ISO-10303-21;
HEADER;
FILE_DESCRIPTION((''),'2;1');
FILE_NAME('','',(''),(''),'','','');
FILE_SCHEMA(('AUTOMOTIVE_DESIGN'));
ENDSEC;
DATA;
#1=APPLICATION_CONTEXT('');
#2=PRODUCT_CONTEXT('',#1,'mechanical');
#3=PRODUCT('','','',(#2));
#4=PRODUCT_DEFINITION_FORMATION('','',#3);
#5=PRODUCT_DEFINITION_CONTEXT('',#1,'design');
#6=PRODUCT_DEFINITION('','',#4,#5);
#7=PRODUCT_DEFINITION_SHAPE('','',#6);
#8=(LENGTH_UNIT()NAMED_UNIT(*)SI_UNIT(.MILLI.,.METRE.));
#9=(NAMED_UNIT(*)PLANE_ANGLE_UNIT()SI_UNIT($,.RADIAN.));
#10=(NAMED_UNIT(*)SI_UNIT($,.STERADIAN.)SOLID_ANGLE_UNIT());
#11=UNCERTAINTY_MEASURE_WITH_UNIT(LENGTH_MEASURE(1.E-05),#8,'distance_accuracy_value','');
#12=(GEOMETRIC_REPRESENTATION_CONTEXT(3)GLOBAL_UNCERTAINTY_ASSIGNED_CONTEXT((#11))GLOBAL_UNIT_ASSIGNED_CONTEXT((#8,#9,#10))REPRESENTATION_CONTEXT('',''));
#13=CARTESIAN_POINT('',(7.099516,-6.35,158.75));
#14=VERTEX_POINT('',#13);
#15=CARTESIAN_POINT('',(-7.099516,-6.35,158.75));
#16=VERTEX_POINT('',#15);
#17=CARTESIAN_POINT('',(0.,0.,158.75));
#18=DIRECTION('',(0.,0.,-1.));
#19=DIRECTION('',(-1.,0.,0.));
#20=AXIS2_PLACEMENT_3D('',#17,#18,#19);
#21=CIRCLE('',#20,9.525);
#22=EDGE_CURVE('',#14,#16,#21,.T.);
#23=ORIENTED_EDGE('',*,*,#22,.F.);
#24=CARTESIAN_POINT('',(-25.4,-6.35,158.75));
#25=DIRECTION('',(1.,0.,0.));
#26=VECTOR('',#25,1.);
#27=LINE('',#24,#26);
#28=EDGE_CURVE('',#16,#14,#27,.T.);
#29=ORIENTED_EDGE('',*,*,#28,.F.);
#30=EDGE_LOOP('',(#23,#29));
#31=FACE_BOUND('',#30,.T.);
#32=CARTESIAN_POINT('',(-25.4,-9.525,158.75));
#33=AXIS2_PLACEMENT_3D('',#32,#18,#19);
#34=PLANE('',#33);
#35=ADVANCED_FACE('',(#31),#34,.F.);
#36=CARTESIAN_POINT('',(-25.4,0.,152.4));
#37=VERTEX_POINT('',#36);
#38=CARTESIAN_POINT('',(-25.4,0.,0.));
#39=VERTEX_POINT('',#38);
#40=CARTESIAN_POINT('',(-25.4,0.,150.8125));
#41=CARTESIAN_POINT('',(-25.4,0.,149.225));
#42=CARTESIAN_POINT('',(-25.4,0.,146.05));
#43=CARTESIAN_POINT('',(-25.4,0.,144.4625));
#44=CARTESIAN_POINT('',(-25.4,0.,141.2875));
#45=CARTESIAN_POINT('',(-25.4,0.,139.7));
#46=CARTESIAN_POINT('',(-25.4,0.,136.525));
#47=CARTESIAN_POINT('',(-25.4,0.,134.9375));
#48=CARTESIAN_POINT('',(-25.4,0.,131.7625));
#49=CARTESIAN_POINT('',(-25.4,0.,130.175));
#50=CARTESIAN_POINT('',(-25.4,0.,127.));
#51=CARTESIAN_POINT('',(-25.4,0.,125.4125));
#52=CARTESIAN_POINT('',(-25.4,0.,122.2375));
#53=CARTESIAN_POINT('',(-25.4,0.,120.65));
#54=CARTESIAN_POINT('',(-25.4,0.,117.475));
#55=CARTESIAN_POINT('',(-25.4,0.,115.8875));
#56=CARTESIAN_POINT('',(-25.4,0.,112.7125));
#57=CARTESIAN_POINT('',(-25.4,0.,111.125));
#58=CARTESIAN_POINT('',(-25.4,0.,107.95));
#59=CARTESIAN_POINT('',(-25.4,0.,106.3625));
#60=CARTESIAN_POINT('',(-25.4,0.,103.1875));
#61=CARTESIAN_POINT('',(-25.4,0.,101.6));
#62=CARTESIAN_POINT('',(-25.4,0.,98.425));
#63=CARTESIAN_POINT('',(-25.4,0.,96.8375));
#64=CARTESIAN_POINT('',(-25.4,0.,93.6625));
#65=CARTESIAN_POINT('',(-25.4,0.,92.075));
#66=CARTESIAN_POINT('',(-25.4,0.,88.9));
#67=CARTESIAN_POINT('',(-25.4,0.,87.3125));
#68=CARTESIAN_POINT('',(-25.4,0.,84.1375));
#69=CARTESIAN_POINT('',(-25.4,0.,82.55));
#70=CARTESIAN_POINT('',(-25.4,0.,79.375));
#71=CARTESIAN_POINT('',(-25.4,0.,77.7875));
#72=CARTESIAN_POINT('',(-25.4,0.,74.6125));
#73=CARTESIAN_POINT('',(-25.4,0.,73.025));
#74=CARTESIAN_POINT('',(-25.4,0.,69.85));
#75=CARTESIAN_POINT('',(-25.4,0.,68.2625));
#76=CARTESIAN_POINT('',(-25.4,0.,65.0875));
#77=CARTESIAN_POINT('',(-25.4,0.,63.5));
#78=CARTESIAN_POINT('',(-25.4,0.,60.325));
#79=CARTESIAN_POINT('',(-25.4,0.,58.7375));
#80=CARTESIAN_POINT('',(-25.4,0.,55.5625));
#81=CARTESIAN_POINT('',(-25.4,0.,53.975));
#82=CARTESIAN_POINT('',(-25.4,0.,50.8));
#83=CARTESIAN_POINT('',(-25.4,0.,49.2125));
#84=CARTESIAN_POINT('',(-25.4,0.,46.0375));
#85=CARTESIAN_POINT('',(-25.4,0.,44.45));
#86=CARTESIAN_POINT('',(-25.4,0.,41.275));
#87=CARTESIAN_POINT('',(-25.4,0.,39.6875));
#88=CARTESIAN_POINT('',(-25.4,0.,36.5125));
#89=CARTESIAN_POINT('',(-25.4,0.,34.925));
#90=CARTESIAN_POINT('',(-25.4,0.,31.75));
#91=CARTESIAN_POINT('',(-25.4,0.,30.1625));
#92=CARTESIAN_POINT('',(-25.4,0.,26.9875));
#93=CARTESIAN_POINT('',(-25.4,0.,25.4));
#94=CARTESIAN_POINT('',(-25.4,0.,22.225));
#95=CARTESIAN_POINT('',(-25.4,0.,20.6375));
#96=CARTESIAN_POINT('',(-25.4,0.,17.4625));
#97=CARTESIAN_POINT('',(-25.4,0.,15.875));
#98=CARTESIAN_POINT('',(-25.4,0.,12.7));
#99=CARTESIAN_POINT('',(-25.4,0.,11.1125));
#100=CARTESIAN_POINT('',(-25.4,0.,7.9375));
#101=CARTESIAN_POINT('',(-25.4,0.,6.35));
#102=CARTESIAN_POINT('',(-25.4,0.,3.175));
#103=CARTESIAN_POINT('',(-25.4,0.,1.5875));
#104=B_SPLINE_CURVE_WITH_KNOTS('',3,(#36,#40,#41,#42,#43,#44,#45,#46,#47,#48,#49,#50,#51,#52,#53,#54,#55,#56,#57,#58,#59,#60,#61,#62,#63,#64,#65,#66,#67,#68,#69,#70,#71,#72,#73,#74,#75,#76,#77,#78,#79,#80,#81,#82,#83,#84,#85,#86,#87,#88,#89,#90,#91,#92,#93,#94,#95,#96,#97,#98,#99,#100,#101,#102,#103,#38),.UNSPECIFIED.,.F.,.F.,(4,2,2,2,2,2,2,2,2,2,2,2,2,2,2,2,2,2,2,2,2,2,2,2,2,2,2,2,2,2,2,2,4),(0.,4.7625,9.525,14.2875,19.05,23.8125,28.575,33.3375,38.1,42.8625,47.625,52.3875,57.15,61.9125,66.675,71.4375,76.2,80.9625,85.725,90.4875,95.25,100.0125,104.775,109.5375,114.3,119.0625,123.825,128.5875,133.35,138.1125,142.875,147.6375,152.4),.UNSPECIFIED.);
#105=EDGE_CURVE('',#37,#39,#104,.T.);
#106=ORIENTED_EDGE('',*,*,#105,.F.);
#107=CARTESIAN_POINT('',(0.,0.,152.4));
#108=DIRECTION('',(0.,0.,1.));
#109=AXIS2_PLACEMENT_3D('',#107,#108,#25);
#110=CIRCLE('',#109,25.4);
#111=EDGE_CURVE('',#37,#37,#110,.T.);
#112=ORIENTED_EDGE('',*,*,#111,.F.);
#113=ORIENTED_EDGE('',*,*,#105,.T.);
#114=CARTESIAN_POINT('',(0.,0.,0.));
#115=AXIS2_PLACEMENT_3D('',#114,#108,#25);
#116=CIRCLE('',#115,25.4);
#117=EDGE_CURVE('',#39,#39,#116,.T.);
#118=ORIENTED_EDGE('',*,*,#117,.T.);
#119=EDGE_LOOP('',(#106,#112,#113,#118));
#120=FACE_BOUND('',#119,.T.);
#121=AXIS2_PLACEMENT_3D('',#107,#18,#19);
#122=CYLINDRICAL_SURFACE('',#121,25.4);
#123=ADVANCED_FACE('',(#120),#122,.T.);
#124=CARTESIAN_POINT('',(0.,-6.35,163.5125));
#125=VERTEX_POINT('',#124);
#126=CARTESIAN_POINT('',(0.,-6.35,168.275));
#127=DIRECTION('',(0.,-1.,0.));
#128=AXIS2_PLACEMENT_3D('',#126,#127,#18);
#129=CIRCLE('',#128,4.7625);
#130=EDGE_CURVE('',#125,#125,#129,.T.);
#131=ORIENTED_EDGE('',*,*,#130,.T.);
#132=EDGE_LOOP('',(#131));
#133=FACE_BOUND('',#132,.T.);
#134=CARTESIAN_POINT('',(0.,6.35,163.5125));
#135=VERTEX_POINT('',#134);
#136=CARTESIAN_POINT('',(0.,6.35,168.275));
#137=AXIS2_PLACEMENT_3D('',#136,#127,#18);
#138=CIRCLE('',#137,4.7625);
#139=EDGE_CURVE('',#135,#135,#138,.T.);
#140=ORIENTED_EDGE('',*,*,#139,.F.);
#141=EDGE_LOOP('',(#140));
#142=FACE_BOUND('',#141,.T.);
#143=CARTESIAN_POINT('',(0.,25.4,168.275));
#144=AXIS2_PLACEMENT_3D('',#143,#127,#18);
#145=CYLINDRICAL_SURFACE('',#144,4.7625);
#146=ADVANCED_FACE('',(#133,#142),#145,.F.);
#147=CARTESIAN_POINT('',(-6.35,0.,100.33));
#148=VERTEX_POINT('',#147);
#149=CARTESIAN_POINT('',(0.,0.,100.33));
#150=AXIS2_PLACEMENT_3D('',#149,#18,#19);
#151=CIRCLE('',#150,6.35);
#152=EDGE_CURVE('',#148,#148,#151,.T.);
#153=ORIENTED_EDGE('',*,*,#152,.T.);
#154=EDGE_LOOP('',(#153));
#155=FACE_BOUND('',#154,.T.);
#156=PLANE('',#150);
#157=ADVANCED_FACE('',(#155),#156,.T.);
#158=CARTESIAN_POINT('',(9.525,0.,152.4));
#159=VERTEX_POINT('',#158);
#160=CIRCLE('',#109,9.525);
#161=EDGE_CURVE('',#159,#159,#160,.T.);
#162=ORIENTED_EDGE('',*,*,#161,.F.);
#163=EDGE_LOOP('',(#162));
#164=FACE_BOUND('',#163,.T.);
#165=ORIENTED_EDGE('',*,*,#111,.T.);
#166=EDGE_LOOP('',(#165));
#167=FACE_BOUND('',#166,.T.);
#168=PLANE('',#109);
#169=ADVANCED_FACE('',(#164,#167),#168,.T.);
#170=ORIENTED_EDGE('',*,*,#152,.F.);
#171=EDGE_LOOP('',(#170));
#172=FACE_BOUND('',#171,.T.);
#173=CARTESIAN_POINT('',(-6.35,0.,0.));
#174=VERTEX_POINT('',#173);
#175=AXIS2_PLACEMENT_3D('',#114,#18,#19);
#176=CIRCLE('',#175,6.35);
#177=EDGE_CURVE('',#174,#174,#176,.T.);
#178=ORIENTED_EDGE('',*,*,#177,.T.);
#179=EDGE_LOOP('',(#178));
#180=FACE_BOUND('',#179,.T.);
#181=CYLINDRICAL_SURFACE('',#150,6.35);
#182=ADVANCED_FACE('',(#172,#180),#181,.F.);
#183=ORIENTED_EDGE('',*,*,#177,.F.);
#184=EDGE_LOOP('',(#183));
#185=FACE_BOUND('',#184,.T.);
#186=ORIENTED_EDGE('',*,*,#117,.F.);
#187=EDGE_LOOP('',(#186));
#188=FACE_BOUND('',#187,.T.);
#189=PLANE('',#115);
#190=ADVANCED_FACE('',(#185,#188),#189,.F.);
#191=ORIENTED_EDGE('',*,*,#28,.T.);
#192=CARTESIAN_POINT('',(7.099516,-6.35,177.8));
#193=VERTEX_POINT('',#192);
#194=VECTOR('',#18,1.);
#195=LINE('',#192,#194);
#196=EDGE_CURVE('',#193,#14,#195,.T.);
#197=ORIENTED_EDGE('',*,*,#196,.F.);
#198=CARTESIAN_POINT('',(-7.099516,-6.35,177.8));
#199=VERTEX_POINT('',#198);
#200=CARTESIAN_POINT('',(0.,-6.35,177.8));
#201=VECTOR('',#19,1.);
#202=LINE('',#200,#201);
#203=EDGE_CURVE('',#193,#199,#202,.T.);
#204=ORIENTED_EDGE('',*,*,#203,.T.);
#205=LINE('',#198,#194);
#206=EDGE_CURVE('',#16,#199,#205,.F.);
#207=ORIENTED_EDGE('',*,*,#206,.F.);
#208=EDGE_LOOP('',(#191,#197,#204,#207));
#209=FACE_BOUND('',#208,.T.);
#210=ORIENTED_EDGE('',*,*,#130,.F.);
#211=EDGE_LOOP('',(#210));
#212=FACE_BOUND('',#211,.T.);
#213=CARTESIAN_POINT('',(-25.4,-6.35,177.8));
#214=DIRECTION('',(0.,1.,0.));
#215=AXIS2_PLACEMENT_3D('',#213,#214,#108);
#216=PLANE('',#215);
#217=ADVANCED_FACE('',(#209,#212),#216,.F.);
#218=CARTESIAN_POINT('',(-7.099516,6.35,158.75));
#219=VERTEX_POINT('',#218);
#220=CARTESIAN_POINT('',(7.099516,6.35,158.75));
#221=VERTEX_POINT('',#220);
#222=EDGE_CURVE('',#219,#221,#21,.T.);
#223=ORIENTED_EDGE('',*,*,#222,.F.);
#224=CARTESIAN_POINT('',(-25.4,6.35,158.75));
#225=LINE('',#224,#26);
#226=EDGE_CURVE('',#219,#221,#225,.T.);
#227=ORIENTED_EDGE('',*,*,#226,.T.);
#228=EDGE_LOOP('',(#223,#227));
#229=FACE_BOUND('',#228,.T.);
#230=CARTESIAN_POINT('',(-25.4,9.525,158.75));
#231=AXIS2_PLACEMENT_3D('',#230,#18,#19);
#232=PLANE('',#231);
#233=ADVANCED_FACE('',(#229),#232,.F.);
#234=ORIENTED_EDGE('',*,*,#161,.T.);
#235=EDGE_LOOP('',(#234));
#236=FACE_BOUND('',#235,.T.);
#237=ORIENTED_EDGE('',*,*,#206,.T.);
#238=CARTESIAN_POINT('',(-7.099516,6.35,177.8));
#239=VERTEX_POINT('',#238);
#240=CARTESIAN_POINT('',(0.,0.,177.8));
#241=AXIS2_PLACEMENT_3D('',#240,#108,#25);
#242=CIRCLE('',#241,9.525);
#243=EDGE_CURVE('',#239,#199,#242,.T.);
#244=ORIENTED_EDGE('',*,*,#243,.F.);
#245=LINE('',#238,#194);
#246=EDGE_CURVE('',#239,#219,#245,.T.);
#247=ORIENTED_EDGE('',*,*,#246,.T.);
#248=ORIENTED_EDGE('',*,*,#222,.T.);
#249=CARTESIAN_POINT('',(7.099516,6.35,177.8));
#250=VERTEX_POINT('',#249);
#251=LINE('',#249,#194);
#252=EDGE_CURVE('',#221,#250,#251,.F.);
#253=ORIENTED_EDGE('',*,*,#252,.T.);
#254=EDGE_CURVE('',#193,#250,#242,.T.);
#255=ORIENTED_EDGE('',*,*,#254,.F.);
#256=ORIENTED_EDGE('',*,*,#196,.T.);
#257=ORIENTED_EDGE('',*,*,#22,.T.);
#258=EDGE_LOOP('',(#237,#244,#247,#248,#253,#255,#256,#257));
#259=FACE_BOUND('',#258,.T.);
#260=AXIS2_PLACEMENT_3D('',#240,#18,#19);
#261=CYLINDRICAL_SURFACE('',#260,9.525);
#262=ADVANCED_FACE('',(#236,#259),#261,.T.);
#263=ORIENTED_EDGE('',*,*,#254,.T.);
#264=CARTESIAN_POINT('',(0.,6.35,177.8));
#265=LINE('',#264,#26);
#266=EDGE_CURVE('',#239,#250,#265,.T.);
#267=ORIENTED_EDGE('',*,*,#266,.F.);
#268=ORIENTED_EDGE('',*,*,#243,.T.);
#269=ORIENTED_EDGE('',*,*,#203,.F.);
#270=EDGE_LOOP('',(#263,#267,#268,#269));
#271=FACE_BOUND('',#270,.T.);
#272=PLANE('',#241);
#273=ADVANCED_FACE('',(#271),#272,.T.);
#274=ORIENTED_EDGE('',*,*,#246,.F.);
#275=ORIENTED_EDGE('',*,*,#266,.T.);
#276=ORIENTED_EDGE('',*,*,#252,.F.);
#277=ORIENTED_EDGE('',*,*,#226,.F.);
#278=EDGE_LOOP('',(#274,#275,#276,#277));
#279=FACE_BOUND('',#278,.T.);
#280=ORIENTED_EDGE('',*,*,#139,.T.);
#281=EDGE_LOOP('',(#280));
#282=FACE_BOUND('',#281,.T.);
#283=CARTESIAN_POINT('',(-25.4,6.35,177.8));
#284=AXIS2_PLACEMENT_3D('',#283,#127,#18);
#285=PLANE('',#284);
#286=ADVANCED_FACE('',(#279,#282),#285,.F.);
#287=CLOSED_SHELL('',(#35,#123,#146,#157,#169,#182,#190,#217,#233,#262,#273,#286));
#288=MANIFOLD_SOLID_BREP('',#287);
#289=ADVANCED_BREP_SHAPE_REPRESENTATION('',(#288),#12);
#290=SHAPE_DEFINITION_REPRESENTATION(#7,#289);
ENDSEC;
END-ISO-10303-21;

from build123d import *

# Parameters (mm, degrees)
SKETCH1_R               = 25.4
BOSS_EXTRUDE1_DEPTH     = 152.4
SKETCH2_R               = 9.525
BOSS_EXTRUDE2_DEPTH     = 25.4
SKETCH3_R               = 6.35
CUT_EXTRUDE1_DEPTH      = 100.33
CUT_EXTRUDE2_DEPTH      = 182.392282085
CUT_EXTRUDE2_DEPTH_BACK = 182.392282085
SKETCH4_W               = 19.05
SKETCH4_H               = 3.175
CUT_EXTRUDE3_DEPTH      = 183.389864028
CUT_EXTRUDE3_DEPTH_BACK = 183.389864028
SKETCH5_R               = 4.7625


with BuildPart() as part:
    # Sketch1 → Boss-Extrude1 (new body)
    with BuildSketch(Plane.XY):
        with Locations(Location((0, 0, 0), (0, 0, 180))):
            Circle(SKETCH1_R)
    extrude(amount=BOSS_EXTRUDE1_DEPTH)

    # Sketch2 → Boss-Extrude2 (add)
    with BuildSketch(Plane.XY.offset(152.4)):
        Circle(SKETCH2_R)
    extrude(amount=BOSS_EXTRUDE2_DEPTH)

    # Sketch3 → Cut-Extrude1 (cut)
    with BuildSketch(Plane(origin=(0, 0, 0), x_dir=(-1, 0, 0), z_dir=(0, 0, -1))):
        Circle(SKETCH3_R)
    extrude(amount=-CUT_EXTRUDE1_DEPTH, mode=Mode.SUBTRACT)

    # Sketch4 → Cut-Extrude2 (cut, two sides: drawn at the far end of the back side and taken through both)
    with BuildSketch(Plane(origin=(0, 0, 0), x_dir=(0, 0, -1), z_dir=(1, 0, 0)).offset(-CUT_EXTRUDE2_DEPTH_BACK)):
        with Locations((-168.275, 7.9375)):
            Rectangle(SKETCH4_W, SKETCH4_H)
        with Locations((-168.275, -7.9375)):
            Rectangle(SKETCH4_W, SKETCH4_H)
    extrude(amount=CUT_EXTRUDE2_DEPTH + CUT_EXTRUDE2_DEPTH_BACK, mode=Mode.SUBTRACT)

    # Sketch5 → Cut-Extrude3 (cut, two sides: drawn at the far end of the back side and taken through both)
    with BuildSketch(Plane.XZ.offset(6.35).offset(-CUT_EXTRUDE3_DEPTH_BACK)):
        with Locations(Location((0, 168.275, 0), (0, 0, 270))):
            Circle(SKETCH5_R)
    extrude(amount=CUT_EXTRUDE3_DEPTH + CUT_EXTRUDE3_DEPTH_BACK, mode=Mode.SUBTRACT)


solid = part.part
